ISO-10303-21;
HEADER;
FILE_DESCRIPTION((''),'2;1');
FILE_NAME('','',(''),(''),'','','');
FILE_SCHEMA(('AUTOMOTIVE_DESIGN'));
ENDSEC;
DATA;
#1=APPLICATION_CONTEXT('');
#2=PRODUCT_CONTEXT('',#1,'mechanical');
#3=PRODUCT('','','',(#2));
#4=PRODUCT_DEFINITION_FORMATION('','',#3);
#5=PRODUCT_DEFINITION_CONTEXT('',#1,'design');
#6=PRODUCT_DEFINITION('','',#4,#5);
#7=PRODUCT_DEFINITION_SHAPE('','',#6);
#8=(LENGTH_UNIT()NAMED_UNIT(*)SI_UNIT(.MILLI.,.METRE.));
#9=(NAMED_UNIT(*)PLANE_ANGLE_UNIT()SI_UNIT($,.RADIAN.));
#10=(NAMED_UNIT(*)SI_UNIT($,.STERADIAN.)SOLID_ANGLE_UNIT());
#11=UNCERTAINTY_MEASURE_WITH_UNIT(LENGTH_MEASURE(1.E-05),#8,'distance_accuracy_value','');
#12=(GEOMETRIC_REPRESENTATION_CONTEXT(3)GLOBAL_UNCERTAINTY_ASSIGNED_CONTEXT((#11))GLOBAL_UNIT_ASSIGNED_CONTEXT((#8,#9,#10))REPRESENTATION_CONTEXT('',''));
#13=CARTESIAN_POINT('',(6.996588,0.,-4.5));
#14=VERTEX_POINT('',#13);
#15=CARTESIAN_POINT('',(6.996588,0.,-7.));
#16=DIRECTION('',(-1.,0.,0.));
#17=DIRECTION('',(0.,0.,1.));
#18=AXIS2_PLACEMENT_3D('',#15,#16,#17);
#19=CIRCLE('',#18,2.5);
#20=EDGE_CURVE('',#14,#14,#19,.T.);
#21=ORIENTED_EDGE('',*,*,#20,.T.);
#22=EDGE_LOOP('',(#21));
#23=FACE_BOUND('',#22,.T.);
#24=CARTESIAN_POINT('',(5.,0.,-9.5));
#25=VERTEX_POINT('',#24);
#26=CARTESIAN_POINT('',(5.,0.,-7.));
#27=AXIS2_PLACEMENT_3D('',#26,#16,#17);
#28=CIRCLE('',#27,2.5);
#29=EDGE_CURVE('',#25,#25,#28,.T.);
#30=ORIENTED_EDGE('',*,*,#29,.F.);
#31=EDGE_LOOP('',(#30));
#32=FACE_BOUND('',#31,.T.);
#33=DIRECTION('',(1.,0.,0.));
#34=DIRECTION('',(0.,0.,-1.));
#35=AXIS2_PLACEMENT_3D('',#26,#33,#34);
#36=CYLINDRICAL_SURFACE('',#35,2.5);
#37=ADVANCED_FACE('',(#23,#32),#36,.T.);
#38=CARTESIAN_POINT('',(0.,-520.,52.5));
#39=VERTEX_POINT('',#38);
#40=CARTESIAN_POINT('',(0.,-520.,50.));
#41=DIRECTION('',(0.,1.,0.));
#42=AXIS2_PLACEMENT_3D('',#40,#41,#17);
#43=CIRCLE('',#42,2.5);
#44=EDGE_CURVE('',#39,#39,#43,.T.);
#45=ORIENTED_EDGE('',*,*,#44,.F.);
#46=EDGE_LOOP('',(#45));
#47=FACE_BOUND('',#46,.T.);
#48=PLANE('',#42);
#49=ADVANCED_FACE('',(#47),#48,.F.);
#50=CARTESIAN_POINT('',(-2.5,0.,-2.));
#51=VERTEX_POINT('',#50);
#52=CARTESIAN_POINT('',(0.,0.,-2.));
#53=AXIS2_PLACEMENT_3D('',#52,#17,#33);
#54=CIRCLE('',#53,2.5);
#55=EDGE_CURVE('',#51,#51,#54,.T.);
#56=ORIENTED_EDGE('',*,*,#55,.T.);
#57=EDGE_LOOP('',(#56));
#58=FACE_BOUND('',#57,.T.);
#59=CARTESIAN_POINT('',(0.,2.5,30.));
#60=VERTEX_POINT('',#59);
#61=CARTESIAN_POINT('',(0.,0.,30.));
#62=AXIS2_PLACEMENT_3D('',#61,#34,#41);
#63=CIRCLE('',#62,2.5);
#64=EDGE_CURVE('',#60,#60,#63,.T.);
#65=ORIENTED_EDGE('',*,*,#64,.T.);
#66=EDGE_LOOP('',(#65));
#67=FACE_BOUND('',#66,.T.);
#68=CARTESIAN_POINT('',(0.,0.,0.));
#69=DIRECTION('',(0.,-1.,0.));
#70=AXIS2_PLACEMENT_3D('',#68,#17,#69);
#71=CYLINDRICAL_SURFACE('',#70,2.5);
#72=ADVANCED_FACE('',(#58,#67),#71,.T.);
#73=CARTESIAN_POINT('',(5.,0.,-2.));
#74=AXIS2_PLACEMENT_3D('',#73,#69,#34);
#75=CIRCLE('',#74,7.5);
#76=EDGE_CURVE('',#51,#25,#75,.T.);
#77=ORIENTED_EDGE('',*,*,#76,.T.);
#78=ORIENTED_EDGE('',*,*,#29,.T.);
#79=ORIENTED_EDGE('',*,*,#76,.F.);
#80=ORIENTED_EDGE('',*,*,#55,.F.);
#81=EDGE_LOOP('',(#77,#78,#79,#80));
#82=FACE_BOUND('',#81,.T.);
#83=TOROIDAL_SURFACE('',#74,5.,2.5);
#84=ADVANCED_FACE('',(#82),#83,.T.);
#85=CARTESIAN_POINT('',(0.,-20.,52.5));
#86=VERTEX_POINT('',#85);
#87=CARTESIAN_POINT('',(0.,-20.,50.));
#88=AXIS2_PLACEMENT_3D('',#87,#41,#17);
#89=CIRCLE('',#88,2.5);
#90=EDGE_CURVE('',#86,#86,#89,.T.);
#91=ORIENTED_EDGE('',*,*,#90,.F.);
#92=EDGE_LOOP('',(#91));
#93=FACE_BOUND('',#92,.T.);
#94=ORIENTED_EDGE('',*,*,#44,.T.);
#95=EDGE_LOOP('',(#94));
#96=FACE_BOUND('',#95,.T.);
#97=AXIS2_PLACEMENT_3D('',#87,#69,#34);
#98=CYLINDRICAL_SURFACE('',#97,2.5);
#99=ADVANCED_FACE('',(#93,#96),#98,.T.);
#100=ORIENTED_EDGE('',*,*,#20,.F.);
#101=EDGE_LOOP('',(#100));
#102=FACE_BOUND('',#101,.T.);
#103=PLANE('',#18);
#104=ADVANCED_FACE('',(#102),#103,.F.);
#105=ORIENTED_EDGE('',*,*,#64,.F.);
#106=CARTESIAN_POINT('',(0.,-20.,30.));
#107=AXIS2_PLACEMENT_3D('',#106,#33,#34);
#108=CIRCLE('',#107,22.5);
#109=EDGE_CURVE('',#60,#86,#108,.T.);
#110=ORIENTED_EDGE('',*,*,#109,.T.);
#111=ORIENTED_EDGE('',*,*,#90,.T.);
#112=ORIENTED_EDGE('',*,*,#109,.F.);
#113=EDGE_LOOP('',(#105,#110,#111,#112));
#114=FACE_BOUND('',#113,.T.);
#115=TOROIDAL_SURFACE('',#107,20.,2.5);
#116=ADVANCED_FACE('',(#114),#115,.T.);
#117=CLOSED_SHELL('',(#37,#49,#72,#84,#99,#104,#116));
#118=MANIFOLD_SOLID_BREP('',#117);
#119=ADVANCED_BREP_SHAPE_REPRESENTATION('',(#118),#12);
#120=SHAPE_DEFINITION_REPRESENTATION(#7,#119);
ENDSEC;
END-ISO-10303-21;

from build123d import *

# Parameters (mm, degrees)
VARREDURA1_PROFILE_R = 2.5
VARREDURA2_PROFILE_R = 2.5


with BuildPart() as part:
    # Varredura1: sweep along a path in Esboço1
    with BuildLine(Plane(origin=(0, 0, 0), x_dir=(0, 0, -1), z_dir=(1, 0, 0))) as varredura1_path:
        Line((0, 0), (-30, 0))
        ThreePointArc((-30, 0), (-44.142135624, -5.857864376), (-50, -20))
        Line((-50, -20), (-50, -520))
    # Varredura1 profile (on start of the path) → Varredura1 (sweep)
    with BuildSketch(Plane(origin=(0, 0, 0), x_dir=(0, 1, 0), z_dir=(0, 0, 1))):
        Circle(VARREDURA1_PROFILE_R)
    sweep(path=varredura1_path.line)

    # Varredura2: sweep along a path in Esboço22
    with BuildLine(Plane(origin=(0, 0, 0), x_dir=(1, 0, 0), z_dir=(0, 1, 0))) as varredura2_path:
        Line((0, 0), (0, 2))
        ThreePointArc((0, 2), (1.464466094, 5.535533906), (5, 7))
        Line((5, 7), (6.99658834, 7))
    # Varredura2 profile (on start of the path) → Varredura2 (sweep)
    with BuildSketch(Plane(origin=(0, 0, 0), x_dir=(-1, 0, 0), z_dir=(0, 0, -1))):
        Circle(VARREDURA2_PROFILE_R)
    sweep(path=varredura2_path.line)


solid = part.part
